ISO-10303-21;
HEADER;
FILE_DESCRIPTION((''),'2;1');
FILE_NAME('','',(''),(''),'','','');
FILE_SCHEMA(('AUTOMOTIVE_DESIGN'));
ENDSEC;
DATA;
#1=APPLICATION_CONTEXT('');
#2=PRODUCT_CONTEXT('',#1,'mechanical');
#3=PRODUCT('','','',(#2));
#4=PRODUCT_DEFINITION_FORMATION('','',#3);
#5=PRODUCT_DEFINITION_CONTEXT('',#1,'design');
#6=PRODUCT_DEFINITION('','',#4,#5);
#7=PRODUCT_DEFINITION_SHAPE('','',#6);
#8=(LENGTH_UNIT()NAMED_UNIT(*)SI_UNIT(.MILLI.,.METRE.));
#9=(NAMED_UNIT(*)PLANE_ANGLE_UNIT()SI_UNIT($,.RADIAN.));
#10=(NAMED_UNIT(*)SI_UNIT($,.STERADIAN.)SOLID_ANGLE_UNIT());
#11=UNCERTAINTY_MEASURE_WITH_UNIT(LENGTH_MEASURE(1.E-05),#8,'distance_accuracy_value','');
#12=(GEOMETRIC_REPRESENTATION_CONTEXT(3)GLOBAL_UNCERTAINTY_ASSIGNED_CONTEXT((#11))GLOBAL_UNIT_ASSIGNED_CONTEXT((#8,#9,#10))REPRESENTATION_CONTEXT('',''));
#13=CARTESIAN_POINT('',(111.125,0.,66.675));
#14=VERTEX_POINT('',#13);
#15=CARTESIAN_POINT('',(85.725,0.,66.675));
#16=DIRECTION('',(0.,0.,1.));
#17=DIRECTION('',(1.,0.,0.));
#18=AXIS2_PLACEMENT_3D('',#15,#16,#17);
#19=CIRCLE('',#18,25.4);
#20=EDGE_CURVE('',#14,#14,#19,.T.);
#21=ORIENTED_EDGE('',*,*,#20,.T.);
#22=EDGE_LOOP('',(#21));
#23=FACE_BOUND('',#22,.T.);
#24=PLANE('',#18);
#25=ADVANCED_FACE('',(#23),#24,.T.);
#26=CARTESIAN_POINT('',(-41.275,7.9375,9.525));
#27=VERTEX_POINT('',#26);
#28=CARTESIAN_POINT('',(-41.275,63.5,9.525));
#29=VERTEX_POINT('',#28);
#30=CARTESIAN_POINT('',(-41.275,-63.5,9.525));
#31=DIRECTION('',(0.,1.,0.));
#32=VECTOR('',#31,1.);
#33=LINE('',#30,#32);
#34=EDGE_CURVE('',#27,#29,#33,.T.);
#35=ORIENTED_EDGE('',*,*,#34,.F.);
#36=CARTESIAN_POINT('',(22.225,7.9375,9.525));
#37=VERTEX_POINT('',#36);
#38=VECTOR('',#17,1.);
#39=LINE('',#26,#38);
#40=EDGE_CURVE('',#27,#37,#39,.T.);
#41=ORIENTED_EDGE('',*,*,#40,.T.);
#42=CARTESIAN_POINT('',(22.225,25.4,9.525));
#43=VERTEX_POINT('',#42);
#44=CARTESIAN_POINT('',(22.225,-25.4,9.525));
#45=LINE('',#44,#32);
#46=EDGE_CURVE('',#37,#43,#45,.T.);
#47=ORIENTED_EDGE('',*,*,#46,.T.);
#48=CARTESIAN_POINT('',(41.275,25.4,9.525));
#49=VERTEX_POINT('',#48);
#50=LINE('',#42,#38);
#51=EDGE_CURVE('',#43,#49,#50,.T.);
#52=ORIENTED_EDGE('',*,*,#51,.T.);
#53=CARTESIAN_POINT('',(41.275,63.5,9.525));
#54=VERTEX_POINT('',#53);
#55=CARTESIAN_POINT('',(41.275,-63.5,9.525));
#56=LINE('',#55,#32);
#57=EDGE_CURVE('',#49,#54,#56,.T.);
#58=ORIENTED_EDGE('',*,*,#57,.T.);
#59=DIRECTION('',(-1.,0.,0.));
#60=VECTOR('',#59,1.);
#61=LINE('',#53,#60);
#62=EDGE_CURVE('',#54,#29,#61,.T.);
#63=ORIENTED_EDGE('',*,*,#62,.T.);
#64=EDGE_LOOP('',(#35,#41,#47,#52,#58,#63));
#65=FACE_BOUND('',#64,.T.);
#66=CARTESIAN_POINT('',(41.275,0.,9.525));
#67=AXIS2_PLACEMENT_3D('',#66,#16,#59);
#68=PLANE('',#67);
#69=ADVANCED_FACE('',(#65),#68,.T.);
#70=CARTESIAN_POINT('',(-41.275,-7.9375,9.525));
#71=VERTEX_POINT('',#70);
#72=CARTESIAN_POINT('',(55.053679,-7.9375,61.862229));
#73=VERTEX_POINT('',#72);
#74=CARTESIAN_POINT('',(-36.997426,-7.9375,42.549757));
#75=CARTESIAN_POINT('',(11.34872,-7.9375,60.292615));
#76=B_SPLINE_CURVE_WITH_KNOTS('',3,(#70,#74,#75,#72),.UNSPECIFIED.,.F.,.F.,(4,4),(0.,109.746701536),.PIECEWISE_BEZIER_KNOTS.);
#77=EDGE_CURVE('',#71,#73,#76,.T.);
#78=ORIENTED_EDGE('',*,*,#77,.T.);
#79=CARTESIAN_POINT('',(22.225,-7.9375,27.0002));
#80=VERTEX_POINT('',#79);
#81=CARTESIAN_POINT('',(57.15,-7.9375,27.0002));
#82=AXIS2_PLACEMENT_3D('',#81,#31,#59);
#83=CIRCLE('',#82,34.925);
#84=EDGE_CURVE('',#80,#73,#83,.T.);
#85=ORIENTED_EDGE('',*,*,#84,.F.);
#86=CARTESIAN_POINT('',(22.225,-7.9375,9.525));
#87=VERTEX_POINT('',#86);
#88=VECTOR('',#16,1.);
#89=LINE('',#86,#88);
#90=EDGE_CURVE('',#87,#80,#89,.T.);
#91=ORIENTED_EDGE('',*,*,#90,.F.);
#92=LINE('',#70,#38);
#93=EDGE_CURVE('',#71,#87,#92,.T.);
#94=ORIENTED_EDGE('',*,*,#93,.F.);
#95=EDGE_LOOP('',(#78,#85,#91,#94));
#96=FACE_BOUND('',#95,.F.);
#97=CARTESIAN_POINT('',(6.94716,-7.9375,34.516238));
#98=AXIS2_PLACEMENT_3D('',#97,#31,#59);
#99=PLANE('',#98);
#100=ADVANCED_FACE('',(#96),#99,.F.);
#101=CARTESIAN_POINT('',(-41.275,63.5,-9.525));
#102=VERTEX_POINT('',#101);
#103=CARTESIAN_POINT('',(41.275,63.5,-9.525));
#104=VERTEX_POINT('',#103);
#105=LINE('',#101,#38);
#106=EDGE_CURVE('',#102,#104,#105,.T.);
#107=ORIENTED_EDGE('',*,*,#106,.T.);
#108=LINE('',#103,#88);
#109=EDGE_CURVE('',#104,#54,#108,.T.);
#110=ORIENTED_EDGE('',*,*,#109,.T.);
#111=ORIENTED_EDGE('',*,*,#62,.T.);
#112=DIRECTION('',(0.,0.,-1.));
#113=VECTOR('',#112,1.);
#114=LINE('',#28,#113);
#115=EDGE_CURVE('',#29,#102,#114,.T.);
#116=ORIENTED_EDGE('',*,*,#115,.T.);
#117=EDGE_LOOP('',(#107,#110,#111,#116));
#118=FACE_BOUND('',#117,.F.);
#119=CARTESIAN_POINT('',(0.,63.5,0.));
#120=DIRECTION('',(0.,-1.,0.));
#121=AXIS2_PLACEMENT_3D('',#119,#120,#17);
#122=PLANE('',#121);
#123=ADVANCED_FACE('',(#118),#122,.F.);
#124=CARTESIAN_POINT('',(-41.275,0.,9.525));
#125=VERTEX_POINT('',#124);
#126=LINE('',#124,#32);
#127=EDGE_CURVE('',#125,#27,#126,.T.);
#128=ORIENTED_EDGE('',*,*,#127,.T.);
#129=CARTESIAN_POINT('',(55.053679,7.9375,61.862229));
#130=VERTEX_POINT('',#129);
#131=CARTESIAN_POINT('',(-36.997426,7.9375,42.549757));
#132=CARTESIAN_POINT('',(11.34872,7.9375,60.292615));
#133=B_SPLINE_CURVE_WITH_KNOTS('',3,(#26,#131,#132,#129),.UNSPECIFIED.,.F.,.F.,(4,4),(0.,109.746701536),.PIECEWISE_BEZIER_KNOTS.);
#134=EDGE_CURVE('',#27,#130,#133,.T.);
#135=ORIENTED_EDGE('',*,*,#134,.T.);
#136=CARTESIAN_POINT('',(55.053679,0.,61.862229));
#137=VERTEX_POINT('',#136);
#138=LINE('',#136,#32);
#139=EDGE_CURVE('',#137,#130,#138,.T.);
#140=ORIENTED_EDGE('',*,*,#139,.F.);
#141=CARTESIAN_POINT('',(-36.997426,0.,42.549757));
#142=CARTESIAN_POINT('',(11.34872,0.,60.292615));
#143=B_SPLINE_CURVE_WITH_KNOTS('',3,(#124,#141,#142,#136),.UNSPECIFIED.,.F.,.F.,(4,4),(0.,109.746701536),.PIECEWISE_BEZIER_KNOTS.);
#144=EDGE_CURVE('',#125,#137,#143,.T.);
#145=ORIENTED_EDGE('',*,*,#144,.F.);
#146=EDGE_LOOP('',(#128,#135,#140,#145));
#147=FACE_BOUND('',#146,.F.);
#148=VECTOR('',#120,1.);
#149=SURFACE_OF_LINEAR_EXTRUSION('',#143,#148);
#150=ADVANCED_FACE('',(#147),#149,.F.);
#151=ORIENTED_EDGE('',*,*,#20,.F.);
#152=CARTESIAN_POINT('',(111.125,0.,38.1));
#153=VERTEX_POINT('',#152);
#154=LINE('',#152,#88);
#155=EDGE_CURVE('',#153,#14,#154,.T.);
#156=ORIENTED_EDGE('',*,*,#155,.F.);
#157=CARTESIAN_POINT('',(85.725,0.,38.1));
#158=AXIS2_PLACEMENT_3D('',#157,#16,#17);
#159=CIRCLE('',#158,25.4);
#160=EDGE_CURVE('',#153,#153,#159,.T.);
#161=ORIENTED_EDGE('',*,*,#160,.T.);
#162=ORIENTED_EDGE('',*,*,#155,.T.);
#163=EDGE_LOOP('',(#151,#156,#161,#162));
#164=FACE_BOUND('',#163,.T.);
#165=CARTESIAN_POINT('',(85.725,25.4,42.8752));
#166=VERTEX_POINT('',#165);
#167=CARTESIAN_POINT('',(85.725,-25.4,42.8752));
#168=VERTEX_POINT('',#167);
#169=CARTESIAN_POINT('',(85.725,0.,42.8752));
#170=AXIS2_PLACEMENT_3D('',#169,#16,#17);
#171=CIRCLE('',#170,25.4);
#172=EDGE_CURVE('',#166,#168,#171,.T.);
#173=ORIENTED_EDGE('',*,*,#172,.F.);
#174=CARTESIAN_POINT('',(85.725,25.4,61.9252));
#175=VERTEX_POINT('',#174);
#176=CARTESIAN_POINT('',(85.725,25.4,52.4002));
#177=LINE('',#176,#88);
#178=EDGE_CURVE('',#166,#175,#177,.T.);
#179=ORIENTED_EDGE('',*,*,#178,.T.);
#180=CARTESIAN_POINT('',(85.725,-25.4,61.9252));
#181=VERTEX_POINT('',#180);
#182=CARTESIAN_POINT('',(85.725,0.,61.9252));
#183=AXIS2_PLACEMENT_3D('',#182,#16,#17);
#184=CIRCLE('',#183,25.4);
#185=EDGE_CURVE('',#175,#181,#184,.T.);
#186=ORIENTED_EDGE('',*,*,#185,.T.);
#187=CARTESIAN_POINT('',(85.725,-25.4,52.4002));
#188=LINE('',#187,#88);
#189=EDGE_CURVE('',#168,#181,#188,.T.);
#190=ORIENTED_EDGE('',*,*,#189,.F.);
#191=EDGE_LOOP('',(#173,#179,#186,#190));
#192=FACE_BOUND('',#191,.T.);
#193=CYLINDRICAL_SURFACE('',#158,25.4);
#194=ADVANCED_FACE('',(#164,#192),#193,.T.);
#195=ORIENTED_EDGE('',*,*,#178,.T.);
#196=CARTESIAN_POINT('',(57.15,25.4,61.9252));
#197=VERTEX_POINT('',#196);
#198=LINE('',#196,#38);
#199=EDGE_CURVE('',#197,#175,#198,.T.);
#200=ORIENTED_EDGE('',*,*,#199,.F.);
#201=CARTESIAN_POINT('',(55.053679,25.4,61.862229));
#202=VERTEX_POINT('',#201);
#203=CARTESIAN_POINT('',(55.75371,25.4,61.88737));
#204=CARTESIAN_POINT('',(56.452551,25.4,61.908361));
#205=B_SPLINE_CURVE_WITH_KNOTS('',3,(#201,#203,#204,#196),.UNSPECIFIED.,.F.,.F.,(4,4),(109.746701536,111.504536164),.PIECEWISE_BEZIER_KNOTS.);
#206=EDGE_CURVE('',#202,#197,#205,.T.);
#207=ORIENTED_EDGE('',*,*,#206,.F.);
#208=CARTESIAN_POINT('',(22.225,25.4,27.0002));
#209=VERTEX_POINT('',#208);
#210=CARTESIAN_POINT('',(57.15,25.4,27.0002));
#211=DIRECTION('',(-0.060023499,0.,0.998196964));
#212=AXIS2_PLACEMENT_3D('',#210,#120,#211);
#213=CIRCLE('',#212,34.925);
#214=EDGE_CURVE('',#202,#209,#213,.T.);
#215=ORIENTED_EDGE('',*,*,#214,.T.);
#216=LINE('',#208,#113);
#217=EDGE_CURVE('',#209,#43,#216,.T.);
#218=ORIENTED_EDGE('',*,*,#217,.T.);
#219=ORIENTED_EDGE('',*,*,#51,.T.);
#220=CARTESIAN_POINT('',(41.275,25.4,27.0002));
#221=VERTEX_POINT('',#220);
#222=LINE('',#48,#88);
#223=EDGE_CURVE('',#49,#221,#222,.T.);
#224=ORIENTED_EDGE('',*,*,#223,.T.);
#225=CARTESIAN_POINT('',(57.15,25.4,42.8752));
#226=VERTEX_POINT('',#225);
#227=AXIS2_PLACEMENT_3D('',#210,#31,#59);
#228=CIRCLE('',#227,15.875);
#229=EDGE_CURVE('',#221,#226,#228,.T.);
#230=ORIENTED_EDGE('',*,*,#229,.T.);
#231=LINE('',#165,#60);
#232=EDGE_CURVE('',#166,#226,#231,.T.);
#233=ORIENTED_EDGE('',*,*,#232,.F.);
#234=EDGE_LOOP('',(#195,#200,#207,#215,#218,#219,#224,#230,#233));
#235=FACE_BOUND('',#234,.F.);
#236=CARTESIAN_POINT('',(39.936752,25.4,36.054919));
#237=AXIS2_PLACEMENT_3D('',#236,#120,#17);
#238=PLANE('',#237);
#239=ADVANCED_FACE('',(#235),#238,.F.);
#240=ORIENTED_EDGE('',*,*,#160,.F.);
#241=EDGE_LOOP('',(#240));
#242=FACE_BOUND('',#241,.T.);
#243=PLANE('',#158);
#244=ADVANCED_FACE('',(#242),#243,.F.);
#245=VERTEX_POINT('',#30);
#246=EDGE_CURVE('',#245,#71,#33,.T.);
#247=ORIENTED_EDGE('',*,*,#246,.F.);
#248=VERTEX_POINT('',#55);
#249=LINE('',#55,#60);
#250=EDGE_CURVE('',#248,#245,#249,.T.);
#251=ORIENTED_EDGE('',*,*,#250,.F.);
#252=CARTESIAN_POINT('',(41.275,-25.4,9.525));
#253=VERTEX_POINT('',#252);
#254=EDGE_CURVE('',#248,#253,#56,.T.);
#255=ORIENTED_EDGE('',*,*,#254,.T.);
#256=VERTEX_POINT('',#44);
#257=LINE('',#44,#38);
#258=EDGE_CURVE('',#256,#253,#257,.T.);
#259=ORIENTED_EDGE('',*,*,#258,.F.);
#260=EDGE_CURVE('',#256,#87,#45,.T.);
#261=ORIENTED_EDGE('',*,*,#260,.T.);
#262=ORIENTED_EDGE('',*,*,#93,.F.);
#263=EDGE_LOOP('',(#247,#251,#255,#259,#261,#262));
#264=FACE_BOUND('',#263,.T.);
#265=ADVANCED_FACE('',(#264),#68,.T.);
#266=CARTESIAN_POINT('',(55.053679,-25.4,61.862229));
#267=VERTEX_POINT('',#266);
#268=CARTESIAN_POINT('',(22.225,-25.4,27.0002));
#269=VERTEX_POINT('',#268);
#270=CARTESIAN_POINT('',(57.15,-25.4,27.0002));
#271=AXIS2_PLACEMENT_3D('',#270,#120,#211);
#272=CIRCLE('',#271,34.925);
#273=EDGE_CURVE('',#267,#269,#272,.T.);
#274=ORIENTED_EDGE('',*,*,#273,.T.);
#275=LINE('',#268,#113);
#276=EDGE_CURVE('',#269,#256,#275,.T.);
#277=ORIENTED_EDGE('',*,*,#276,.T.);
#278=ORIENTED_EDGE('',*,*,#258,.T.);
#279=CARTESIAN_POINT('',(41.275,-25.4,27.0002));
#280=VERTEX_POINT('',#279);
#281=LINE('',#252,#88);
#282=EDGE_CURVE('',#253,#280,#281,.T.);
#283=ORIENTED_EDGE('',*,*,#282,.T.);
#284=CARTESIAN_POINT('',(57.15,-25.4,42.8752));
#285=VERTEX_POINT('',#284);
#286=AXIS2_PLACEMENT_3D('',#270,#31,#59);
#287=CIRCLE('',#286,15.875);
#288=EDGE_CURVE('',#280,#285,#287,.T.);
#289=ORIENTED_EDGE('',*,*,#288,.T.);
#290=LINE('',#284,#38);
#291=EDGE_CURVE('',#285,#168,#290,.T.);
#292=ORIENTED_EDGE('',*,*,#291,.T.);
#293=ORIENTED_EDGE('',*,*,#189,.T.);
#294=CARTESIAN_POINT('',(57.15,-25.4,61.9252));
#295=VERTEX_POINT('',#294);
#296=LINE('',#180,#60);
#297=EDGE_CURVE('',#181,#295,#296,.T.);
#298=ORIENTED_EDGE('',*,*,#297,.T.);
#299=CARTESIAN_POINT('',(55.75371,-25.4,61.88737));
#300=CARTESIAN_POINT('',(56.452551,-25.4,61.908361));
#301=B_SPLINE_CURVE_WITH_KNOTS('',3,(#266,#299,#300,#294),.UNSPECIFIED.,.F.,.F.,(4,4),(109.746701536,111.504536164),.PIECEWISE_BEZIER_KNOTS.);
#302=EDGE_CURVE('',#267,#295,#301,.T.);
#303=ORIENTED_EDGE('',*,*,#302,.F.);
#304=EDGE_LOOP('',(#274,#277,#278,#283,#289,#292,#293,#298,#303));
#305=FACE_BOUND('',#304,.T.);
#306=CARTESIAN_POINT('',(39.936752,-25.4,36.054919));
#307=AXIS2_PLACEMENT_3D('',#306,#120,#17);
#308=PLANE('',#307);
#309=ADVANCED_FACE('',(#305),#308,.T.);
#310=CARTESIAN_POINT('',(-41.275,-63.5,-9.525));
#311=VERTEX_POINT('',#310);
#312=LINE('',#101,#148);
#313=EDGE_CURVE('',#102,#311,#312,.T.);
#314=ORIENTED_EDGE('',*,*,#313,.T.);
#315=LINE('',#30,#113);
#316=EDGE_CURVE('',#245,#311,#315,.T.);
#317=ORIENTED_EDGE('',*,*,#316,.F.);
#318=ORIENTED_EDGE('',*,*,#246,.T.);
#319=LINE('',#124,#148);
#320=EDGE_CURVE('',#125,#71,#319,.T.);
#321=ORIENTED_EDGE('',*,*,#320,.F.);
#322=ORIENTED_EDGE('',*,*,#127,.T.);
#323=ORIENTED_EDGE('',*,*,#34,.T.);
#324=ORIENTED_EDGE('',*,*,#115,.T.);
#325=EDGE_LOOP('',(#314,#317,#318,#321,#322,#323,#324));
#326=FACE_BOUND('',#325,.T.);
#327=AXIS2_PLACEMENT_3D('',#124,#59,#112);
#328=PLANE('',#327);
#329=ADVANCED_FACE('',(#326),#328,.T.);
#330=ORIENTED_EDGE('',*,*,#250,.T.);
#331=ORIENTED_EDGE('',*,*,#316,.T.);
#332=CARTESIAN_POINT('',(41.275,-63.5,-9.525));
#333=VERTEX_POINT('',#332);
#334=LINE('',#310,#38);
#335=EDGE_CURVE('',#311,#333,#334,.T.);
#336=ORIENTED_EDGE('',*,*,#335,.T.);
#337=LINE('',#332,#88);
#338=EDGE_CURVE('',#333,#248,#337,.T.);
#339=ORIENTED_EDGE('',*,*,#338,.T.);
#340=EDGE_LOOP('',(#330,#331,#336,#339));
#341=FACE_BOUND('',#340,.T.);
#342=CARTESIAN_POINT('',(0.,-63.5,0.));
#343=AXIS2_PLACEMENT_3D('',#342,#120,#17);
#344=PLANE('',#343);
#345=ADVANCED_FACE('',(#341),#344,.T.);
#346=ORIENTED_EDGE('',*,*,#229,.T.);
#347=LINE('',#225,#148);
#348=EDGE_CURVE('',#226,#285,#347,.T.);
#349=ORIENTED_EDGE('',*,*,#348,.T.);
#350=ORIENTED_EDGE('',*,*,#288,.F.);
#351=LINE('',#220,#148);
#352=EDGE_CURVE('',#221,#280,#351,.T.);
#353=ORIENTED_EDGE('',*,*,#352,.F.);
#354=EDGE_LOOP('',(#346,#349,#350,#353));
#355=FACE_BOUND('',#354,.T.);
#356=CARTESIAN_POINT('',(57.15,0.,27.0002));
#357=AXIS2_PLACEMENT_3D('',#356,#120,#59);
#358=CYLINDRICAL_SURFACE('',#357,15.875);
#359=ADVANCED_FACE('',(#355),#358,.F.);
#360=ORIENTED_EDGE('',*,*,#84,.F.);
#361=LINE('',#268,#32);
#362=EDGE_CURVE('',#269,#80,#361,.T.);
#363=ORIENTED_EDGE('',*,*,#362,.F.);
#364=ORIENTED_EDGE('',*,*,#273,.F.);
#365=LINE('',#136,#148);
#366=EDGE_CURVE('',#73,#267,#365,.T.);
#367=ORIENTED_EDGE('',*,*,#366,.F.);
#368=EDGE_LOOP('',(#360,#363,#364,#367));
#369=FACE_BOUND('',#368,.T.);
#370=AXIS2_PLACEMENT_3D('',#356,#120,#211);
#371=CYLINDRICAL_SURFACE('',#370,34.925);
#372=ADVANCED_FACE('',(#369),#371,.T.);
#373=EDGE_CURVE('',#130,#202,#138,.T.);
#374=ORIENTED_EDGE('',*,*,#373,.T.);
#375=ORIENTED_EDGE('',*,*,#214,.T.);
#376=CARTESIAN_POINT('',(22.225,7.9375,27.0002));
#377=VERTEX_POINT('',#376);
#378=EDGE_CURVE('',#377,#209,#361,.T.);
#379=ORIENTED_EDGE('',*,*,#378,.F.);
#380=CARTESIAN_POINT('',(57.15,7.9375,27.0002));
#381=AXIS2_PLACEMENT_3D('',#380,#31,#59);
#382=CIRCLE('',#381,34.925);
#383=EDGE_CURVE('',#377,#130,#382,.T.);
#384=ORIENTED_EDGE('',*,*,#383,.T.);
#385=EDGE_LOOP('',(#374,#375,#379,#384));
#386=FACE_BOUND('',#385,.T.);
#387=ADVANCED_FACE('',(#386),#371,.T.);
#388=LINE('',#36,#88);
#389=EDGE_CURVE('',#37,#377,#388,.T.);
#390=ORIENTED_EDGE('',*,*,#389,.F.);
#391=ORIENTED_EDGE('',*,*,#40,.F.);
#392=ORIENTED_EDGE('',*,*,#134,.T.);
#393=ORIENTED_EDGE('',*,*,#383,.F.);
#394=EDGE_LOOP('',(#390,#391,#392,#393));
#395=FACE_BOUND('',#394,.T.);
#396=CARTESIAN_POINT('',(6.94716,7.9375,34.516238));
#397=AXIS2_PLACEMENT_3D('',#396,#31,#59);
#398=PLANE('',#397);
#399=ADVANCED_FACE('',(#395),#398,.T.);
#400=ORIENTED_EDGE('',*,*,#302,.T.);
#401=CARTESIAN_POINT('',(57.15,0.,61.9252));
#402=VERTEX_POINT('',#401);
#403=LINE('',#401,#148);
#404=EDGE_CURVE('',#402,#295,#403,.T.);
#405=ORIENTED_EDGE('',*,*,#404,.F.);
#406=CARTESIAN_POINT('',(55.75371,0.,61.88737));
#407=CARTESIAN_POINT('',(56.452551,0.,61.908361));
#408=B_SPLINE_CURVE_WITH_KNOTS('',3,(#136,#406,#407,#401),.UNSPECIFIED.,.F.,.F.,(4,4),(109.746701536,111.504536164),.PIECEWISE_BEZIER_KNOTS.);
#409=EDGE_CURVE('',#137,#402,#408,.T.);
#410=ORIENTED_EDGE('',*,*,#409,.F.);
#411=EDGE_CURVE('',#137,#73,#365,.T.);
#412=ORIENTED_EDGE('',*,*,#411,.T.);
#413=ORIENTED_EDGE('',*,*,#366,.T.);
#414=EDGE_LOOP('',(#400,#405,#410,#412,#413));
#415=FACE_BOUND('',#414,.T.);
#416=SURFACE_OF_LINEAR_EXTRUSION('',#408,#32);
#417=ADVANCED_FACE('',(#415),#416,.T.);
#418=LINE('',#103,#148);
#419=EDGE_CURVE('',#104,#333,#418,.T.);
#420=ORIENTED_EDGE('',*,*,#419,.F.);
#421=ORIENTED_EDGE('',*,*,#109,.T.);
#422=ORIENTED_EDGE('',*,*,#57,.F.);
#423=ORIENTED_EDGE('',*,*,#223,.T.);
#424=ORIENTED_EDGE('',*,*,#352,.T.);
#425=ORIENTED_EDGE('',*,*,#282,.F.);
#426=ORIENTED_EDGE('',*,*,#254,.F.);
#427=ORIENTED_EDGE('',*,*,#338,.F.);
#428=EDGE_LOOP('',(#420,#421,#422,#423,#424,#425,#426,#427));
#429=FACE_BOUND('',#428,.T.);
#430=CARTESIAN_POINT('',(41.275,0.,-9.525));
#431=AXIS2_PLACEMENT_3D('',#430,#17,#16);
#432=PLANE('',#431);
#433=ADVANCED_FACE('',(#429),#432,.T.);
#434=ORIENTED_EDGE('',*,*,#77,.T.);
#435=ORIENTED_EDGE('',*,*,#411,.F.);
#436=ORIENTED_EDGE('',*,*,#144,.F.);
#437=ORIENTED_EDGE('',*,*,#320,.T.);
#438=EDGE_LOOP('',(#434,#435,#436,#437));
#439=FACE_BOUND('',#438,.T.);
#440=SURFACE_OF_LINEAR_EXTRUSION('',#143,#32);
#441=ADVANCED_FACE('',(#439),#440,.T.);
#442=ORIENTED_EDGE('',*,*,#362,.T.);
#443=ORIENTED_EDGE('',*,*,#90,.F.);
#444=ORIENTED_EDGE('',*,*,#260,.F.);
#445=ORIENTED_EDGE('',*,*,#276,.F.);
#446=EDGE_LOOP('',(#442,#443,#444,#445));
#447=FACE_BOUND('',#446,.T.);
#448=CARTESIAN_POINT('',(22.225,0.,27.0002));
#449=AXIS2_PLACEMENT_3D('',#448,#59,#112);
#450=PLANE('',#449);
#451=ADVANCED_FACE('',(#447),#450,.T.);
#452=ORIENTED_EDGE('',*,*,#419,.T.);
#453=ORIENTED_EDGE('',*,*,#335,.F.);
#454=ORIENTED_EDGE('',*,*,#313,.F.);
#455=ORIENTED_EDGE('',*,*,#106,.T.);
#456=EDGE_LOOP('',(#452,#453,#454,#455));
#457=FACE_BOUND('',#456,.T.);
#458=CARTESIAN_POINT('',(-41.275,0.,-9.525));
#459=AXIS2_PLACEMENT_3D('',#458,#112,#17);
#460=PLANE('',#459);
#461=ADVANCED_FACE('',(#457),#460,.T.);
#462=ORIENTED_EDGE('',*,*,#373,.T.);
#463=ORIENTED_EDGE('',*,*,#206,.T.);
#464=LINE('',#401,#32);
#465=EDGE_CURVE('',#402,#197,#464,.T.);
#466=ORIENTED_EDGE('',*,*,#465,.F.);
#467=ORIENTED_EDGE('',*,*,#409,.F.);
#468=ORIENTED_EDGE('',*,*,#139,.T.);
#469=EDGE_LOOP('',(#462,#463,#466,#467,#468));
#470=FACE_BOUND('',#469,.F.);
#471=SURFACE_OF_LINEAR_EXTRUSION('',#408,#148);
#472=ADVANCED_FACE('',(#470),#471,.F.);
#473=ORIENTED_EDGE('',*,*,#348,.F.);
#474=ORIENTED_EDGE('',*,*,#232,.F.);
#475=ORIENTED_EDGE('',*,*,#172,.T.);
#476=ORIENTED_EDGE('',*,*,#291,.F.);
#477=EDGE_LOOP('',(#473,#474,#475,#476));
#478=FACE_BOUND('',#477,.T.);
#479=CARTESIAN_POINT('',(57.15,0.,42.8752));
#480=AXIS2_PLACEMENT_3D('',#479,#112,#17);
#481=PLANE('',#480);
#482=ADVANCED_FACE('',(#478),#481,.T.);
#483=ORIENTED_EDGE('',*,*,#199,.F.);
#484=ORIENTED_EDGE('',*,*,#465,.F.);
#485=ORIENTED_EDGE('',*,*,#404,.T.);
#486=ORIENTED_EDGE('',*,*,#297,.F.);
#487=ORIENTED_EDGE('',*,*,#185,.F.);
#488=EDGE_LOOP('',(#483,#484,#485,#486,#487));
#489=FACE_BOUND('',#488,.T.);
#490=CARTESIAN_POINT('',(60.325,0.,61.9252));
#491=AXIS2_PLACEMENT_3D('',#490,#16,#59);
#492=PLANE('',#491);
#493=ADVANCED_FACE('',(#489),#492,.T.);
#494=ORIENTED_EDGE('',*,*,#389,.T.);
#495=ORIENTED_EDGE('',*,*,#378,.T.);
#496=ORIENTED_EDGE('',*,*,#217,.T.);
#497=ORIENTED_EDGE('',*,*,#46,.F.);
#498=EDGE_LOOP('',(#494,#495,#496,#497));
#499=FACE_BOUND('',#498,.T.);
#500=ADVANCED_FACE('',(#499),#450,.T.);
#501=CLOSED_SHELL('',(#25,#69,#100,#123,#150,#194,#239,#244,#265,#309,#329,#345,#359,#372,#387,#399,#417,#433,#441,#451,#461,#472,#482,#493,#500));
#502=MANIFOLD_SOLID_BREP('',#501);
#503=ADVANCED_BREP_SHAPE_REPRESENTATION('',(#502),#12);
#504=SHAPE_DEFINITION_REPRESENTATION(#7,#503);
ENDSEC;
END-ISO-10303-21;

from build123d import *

# Parameters (mm, degrees)
F1_DEPTH = 63.5
F2_W     = 25.4
F2_H     = 19.05
F3_DEPTH = 25.4
F5_DEPTH = 7.9375


with BuildPart() as f1:
    # F0 (on Front) → F1 (new body, symmetric)
    with BuildSketch(Plane.XZ):
        Polygon((-41.275, 9.525), (-41.275, -9.525), (41.275, -9.525), (41.275, 9.525), (22.225, 9.525), align=None)
    extrude(amount=F1_DEPTH, both=True)

    # F2 (on face) + F0 (on Front) → F3 (join, symmetric)
    with BuildSketch(Plane.XZ):
        with Locations((73.025, 52.4002)):
            Rectangle(F2_W, F2_H)
    with BuildSketch(Plane.XZ):
        with BuildLine():
            Line((22.225, 9.525), (41.275, 9.525))
            Line((41.275, 9.525), (41.275, 27.0002))
            ThreePointArc((41.275, 27.0002), (45.9246798487, 38.2255201513), (57.15, 42.8752))
            Line((57.15, 42.8752), (60.325, 42.8752))
            Line((60.325, 42.8752), (60.325, 61.9252))
            Line((60.325, 61.9252), (57.15, 61.9252))
            add(Edge.make_bspline(
                [(55.0536793092, 61.8622289794), (55.7537102916, 61.8873697965), (56.452550575, 61.9083613576), (57.15, 61.9252)],
                knots=[109.7467015362, 109.7467015362, 109.7467015362, 109.7467015362, 111.5045361635, 111.5045361635, 111.5045361635, 111.5045361635], degree=3))
            ThreePointArc((55.0536793092, 61.8622289794), (31.7239343869, 50.9432744149), (22.225, 27.0002))
            Line((22.225, 27.0002), (22.225, 9.525))
        make_face()
    extrude(amount=F3_DEPTH, both=True)

    # F0 (on Front) → F5 (join, symmetric)
    with BuildSketch(Plane.XZ):
        with BuildLine():
            add(Edge.make_bspline(
                [(-41.275, 9.525), (-36.9974255187, 42.549756512), (11.3487197513, 60.2926150292), (55.0536793092, 61.8622289794)],
                knots=[0, 0, 0, 0, 109.7467015362, 109.7467015362, 109.7467015362, 109.7467015362], degree=3))
            Line((-41.275, 9.525), (22.225, 9.525))
            Line((22.225, 9.525), (22.225, 27.0002))
            ThreePointArc((22.225, 27.0002), (31.7239343869, 50.9432744149), (55.0536793092, 61.8622289794))
        make_face()
    extrude(amount=F5_DEPTH, both=True)

    # F6 (on face) → F7 (revolve)
    with BuildSketch(Plane.XZ):
        Polygon((111.125, 66.675), (85.725, 66.675), (85.725, 61.9252), (85.725, 42.8752), (85.725, 38.1), (111.125, 38.1), align=None)
    revolve(axis=Axis((85.725, 0, 52.3875), (0, 0, 1)))


solid = f1.part
